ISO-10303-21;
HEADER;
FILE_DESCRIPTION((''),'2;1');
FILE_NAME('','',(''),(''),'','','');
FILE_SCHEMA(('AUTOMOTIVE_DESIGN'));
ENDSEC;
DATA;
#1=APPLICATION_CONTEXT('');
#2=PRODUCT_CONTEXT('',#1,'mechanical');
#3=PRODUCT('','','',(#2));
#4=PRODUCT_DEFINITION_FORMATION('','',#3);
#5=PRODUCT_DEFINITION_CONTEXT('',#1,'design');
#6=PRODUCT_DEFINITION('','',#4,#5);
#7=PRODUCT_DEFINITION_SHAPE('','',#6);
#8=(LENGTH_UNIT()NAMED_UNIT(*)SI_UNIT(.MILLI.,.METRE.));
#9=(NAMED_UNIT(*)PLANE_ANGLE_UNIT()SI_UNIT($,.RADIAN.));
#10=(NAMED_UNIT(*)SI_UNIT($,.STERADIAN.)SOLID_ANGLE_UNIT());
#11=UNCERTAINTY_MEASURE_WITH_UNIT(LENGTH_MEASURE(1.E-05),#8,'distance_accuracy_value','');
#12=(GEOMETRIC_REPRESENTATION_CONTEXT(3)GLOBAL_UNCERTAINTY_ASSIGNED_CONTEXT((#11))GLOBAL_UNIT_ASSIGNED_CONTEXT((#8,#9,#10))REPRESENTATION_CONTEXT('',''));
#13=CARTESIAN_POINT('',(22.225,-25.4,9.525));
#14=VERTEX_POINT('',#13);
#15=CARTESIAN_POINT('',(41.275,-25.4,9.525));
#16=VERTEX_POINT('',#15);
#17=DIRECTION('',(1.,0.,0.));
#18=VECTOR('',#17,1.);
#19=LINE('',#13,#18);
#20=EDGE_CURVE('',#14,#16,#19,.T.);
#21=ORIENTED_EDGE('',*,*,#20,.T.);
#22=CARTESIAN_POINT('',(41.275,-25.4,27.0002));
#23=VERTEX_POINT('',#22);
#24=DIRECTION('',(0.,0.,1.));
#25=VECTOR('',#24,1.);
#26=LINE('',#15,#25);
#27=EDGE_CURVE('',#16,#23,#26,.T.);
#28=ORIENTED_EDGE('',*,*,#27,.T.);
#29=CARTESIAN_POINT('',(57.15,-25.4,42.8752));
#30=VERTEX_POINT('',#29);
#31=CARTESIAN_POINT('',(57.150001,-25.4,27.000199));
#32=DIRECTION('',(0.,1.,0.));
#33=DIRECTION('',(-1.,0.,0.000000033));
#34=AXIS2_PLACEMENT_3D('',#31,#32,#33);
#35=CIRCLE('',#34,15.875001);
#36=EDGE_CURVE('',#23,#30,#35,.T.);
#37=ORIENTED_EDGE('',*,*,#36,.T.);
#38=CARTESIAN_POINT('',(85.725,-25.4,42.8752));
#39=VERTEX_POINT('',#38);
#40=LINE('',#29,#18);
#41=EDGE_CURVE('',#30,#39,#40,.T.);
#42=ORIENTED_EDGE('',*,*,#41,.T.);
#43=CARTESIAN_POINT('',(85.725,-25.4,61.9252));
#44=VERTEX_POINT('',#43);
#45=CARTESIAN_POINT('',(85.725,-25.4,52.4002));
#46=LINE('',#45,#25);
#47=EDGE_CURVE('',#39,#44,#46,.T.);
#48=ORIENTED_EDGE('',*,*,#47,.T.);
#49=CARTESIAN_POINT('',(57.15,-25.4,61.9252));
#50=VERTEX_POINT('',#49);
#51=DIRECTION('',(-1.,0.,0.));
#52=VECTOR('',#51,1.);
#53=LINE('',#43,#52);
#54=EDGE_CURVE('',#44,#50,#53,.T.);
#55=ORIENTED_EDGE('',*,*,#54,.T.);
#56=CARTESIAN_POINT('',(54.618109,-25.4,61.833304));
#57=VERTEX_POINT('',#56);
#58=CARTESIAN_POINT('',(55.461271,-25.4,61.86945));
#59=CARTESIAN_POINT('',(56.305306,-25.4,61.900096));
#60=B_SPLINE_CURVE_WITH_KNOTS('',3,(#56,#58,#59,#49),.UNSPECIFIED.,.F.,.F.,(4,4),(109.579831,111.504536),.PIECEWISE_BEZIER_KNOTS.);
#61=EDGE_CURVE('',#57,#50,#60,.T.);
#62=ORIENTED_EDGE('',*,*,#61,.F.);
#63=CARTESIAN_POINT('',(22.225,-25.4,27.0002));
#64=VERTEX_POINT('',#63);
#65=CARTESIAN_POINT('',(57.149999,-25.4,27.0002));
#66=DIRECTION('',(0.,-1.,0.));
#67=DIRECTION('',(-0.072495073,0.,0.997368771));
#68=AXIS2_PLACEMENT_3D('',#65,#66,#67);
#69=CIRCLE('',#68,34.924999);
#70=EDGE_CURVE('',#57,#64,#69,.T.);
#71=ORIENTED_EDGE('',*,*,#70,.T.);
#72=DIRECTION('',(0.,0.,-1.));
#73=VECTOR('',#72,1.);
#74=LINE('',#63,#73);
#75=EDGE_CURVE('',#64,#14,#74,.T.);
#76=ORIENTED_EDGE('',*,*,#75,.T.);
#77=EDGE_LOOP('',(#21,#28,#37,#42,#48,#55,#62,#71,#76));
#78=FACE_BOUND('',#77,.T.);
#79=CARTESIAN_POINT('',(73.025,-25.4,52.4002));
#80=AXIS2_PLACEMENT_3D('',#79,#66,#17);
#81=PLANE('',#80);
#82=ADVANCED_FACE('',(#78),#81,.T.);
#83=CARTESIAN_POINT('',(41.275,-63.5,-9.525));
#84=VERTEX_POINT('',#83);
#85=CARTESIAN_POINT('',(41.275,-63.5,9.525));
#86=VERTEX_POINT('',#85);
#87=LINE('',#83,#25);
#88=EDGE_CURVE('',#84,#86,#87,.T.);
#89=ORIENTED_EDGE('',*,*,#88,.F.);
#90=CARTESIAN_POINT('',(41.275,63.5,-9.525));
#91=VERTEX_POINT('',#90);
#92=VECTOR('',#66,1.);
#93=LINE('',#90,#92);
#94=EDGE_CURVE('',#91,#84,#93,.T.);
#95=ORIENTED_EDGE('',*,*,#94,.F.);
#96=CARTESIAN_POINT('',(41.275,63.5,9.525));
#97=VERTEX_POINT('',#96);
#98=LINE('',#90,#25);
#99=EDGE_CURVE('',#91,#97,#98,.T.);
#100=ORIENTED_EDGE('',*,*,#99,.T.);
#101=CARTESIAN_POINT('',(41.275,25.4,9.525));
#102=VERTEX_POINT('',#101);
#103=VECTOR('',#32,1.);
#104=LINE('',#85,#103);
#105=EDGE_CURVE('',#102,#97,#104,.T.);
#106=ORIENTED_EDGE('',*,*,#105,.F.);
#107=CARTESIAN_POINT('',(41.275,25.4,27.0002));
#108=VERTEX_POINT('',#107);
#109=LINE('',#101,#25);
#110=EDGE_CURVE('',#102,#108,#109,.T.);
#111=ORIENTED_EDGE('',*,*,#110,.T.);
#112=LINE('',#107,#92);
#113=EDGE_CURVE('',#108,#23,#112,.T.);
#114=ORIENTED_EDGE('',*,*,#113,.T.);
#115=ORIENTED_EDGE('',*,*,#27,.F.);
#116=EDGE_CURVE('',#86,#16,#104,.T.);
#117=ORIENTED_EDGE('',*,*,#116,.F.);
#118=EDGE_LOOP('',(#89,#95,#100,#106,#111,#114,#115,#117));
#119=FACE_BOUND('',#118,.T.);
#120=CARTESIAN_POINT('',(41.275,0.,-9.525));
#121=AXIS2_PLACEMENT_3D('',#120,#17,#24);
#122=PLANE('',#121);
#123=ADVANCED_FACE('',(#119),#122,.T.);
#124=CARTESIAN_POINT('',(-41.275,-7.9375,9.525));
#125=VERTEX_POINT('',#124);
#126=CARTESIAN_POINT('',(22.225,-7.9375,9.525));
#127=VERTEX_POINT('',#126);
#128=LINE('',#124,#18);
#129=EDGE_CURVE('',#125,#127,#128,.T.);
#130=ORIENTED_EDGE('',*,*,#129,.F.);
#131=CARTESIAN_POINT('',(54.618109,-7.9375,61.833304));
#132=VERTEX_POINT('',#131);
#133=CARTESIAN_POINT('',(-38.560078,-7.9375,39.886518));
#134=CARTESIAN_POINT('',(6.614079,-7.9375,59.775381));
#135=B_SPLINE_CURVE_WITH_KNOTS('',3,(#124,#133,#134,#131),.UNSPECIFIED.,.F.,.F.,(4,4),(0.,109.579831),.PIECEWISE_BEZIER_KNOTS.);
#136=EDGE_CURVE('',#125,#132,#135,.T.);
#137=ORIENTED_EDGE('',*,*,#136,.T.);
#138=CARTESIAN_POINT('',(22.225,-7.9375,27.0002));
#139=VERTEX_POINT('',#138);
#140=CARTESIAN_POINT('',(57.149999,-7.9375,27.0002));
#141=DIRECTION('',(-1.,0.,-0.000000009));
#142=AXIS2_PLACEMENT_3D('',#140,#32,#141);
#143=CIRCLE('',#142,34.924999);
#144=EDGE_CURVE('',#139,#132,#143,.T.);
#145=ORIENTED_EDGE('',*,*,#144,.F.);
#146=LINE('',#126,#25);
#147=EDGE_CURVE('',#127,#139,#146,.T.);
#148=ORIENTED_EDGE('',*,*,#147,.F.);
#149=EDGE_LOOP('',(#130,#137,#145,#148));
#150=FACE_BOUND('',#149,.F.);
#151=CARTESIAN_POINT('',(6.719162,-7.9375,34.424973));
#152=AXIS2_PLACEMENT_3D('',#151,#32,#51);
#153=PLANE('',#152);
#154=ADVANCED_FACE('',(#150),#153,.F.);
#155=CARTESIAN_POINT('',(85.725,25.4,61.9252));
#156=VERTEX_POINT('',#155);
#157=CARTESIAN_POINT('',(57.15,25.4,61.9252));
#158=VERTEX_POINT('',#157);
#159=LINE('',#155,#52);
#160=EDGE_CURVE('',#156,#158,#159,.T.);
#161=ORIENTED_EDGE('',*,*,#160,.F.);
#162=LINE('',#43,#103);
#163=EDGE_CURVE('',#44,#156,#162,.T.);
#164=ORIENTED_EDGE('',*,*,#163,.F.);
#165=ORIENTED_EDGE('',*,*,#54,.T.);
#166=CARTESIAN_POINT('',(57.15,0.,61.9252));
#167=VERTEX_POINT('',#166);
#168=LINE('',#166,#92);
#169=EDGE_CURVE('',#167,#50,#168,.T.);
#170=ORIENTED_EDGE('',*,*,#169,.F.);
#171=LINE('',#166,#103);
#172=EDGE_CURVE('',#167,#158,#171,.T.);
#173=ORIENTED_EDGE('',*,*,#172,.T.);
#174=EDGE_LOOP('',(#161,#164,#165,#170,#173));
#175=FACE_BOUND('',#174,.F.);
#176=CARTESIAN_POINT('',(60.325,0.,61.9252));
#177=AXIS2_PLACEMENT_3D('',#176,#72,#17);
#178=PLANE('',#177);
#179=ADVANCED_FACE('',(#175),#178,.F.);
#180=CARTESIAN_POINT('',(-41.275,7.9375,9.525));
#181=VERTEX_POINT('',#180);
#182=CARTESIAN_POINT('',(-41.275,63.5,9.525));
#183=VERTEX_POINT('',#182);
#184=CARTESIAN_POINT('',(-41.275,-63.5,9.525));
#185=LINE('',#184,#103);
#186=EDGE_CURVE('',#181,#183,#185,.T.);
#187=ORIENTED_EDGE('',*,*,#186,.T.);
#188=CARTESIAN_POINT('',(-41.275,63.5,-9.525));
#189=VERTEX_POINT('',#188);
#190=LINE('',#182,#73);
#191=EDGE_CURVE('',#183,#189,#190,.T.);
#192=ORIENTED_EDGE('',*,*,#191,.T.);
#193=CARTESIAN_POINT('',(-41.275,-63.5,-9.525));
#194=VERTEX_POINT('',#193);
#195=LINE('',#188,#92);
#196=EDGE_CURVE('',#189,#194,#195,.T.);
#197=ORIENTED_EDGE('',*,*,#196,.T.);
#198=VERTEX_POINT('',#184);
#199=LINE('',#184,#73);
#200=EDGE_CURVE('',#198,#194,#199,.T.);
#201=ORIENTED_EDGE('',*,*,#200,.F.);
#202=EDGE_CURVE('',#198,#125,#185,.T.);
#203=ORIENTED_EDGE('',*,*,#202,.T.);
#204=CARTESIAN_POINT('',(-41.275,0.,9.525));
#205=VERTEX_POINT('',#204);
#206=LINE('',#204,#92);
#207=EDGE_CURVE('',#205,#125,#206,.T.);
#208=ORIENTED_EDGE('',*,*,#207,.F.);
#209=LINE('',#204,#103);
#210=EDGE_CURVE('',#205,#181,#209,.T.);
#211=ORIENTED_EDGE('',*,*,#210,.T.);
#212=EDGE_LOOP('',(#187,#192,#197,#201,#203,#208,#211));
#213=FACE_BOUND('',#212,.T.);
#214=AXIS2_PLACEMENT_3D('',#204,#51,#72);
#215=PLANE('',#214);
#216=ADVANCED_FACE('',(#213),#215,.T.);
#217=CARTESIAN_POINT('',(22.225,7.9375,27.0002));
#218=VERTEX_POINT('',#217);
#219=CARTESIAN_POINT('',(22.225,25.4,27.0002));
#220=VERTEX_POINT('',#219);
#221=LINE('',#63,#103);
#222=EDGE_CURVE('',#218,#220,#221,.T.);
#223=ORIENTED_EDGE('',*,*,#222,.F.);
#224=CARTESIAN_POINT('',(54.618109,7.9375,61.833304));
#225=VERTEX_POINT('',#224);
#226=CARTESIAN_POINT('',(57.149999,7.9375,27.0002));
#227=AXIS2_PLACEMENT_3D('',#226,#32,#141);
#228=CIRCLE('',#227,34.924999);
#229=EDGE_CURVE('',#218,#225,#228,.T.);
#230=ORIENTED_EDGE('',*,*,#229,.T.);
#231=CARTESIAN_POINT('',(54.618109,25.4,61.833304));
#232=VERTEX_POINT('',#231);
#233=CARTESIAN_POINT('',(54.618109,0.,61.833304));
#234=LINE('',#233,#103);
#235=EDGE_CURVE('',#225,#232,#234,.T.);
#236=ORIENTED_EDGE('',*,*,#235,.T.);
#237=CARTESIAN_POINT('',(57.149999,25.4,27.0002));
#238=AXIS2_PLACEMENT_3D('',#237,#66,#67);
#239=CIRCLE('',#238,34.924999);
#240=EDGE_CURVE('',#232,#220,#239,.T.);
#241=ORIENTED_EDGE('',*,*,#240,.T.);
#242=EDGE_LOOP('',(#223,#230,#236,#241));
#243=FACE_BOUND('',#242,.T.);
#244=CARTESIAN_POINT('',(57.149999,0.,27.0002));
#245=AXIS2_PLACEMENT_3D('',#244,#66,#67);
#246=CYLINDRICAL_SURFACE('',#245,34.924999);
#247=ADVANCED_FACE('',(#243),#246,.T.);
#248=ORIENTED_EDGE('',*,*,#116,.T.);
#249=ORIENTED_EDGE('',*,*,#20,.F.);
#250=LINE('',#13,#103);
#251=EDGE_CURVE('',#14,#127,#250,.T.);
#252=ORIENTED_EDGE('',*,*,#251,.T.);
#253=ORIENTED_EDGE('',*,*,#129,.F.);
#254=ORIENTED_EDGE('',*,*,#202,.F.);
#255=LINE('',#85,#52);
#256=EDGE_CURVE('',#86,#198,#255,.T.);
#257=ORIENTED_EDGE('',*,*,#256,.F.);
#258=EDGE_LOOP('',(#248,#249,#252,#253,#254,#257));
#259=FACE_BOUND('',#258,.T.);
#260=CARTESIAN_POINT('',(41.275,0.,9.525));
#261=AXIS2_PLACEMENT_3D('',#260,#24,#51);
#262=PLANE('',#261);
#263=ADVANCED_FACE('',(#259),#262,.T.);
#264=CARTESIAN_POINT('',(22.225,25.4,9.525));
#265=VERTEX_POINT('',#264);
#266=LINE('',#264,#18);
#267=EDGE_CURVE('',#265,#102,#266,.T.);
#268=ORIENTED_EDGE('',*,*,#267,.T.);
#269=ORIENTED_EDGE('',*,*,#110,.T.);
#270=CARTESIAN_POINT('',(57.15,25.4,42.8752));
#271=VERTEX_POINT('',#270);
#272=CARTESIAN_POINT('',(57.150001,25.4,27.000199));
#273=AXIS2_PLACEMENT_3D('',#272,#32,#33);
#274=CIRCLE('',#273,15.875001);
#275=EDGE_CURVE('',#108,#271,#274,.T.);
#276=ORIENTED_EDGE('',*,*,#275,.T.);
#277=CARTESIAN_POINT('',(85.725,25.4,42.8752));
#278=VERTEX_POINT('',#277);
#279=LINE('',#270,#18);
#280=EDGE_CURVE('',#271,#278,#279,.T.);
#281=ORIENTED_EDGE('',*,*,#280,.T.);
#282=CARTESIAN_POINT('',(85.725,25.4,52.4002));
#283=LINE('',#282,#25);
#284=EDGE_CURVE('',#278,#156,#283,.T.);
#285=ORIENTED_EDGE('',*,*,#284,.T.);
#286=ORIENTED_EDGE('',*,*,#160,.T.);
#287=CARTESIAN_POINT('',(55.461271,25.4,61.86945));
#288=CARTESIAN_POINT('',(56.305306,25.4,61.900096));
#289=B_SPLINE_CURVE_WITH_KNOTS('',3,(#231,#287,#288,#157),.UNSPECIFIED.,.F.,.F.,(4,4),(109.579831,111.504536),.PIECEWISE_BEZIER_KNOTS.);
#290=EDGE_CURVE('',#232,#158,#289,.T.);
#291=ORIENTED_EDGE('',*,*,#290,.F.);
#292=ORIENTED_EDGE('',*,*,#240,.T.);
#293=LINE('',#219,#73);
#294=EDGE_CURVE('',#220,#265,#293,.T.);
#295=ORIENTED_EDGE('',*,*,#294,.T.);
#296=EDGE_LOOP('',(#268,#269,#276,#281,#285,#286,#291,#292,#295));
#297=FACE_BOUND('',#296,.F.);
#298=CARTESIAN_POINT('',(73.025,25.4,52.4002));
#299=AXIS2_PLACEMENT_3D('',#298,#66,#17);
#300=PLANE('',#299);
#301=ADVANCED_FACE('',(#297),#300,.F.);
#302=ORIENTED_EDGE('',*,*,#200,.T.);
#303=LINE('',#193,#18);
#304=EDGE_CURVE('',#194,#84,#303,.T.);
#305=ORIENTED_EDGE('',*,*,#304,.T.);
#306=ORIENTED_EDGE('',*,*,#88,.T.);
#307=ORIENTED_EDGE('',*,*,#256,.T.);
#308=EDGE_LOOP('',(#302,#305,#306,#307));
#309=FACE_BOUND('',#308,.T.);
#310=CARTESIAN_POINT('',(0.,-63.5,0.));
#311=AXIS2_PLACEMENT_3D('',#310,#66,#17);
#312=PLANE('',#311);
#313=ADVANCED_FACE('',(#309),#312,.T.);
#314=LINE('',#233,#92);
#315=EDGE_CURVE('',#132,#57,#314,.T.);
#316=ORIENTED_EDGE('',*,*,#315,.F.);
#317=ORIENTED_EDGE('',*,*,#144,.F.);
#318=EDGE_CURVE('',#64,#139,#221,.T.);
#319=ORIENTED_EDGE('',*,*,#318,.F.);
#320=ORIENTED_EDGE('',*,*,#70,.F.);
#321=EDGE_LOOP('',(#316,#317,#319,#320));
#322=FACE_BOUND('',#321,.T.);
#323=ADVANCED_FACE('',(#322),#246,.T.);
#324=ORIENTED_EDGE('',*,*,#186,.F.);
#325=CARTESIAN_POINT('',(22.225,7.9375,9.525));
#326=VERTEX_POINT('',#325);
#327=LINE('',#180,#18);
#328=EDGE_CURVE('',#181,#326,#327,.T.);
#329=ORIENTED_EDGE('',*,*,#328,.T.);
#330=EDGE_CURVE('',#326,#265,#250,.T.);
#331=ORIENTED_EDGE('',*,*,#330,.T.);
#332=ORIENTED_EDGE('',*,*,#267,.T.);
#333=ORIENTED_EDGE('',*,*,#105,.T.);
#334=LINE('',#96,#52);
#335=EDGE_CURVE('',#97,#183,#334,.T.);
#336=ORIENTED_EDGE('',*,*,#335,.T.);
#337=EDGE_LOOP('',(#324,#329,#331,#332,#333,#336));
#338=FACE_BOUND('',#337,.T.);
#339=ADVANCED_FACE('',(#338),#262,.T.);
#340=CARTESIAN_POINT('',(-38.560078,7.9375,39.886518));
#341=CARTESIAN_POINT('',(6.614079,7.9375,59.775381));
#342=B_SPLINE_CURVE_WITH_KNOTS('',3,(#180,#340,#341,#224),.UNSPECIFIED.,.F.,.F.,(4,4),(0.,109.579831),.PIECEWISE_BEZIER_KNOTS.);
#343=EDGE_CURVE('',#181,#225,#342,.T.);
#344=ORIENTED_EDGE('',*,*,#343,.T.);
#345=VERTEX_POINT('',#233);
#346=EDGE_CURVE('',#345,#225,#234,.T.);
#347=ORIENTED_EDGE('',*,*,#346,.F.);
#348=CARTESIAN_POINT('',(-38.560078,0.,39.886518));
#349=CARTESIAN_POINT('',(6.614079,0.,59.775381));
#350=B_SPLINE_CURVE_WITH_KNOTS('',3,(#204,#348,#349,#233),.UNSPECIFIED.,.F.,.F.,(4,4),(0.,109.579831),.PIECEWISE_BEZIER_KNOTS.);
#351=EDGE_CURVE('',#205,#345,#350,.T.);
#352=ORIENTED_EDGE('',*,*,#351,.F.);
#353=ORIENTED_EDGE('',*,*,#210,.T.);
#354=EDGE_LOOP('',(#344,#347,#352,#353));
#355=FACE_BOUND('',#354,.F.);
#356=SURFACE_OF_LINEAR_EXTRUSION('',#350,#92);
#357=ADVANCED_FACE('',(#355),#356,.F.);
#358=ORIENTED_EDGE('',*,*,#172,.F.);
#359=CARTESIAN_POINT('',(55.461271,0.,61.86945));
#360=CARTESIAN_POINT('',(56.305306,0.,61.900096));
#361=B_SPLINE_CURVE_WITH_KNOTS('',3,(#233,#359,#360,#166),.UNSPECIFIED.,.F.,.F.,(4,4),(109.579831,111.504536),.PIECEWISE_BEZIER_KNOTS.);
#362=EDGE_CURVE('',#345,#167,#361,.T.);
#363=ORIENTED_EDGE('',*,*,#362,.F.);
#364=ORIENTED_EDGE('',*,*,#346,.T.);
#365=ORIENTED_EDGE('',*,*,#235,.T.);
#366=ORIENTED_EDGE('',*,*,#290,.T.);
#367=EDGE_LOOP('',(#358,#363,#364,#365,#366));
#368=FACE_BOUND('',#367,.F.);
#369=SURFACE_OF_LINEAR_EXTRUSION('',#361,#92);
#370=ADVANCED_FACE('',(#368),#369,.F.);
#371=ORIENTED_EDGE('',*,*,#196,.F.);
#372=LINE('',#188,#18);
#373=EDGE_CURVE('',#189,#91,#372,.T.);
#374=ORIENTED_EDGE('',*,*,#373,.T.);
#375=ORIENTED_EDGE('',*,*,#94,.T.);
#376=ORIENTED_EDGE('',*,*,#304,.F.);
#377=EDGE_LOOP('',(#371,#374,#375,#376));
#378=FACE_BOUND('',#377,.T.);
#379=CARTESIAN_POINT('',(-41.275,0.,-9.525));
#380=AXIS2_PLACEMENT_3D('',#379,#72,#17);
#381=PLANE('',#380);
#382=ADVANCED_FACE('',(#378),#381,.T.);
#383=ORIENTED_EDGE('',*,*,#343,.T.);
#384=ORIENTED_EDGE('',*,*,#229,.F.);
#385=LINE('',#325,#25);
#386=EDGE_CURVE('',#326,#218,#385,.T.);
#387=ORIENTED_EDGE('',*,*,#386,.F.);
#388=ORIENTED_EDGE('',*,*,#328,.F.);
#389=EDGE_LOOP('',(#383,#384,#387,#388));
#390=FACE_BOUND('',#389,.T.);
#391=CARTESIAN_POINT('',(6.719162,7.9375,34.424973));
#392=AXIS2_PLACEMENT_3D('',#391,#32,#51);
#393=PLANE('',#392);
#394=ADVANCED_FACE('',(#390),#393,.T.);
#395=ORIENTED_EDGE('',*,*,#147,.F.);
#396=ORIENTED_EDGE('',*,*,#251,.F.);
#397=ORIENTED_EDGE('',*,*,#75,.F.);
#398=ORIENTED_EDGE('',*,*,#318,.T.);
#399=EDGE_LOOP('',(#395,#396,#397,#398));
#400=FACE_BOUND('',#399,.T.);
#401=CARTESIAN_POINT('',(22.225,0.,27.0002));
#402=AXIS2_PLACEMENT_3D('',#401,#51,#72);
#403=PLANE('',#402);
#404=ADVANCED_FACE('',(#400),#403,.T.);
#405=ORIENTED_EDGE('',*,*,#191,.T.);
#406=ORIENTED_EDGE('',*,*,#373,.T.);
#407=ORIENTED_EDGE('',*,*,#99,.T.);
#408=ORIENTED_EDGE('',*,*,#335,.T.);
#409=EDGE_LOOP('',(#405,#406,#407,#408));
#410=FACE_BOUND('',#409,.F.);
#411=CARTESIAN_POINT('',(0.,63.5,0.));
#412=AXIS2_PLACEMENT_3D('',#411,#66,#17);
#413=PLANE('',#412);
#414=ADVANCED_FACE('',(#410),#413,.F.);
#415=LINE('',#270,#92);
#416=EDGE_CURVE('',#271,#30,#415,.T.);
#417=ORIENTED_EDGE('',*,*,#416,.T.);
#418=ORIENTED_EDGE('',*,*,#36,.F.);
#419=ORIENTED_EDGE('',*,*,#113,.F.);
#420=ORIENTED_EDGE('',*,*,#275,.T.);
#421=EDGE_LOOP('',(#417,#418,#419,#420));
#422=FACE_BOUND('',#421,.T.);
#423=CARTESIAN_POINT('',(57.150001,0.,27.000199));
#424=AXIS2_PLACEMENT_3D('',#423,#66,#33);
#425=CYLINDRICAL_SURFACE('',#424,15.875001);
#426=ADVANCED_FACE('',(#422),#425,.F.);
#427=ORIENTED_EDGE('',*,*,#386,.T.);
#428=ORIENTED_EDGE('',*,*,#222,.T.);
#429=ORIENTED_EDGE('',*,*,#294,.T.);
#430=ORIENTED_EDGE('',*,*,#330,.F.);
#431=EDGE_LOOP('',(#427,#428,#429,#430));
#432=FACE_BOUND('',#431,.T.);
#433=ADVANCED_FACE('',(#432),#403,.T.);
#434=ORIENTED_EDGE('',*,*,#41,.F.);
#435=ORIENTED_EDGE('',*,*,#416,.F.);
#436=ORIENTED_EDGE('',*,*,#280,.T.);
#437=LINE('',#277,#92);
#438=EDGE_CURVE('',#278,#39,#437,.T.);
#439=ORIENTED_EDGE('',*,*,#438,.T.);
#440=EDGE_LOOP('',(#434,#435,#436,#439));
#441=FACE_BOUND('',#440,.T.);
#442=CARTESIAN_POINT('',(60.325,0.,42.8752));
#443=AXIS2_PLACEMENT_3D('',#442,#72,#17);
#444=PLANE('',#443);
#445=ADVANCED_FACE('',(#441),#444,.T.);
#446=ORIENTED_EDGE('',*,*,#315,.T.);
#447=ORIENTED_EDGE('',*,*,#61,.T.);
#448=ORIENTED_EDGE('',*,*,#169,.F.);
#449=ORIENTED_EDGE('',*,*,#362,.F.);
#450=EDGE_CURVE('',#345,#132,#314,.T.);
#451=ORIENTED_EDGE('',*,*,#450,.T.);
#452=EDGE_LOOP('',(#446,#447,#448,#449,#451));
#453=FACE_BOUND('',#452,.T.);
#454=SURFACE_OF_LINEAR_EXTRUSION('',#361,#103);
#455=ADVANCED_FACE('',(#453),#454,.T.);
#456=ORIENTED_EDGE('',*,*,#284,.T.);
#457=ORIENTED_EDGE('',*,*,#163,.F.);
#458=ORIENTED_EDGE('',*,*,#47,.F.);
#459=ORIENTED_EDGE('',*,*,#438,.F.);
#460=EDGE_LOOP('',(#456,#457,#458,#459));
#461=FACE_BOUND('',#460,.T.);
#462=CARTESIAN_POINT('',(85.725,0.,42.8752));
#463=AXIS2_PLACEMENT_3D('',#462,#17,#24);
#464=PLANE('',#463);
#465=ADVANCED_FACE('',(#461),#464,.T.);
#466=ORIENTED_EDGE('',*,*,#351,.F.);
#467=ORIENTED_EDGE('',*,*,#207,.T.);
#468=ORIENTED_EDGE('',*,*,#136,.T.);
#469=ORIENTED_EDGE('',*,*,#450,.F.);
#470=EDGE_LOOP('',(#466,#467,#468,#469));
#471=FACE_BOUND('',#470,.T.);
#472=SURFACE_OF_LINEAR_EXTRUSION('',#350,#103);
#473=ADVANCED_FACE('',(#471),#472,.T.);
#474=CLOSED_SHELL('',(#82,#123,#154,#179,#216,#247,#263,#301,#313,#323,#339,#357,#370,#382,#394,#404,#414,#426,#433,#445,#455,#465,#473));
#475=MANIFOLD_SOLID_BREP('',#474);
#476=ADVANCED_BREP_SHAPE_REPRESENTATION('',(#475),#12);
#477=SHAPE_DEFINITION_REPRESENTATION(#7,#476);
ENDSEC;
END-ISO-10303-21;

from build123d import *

# Parameters (mm, degrees)
F1_DEPTH = 63.5
F2_DEPTH = 25.4
F0_W     = 25.4
F0_H     = 19.05
F3_DEPTH = 25.4
F4_DEPTH = 7.9375


with BuildPart() as f1:
    # F0 (on Front) → F1 (new body, symmetric)
    with BuildSketch(Plane.XZ):
        Polygon((-41.275, 9.525), (-41.275, -9.525), (41.275, -9.525), (41.275, 9.525), (22.225, 9.525), align=None)
    extrude(amount=F1_DEPTH, both=True)

    # F0 (on Front) → F2 (join, symmetric)
    with BuildSketch(Plane.XZ):
        with BuildLine():
            Line((22.225, 9.525), (41.275, 9.525))
            Line((41.275, 9.525), (41.275, 27.0002))
            ThreePointArc((41.275, 27.0002), (45.92468, 38.22552), (57.15, 42.8752))
            Line((57.15, 42.8752), (60.325, 42.8752))
            Line((60.325, 42.8752), (60.325, 61.9252))
            Line((60.325, 61.9252), (57.15, 61.9252))
            add(Edge.make_bspline(
                [(54.618109, 61.833304), (55.461271, 61.86945), (56.305306, 61.900096), (57.15, 61.9252)],
                knots=[109.579831, 109.579831, 109.579831, 109.579831, 111.504536, 111.504536, 111.504536, 111.504536], degree=3))
            ThreePointArc((54.618109, 61.833304), (31.574798, 50.783906), (22.225, 27.0002))
            Line((22.225, 27.0002), (22.225, 9.525))
        make_face()
    extrude(amount=F2_DEPTH, both=True)

    # F0 (on Front) → F3 (join, symmetric)
    with BuildSketch(Plane.XZ):
        with Locations((73.025, 52.4002)):
            Rectangle(F0_W, F0_H)
    extrude(amount=F3_DEPTH, both=True)

    # F0 (on Front) → F4 (join, symmetric)
    with BuildSketch(Plane.XZ):
        with BuildLine():
            add(Edge.make_bspline(
                [(-41.275, 9.525), (-38.560078, 39.886518), (6.614079, 59.775381), (54.618109, 61.833304)],
                knots=[0, 0, 0, 0, 109.579831, 109.579831, 109.579831, 109.579831], degree=3))
            Line((-41.275, 9.525), (22.225, 9.525))
            Line((22.225, 9.525), (22.225, 27.0002))
            ThreePointArc((22.225, 27.0002), (31.574798, 50.783906), (54.618109, 61.833304))
        make_face()
    extrude(amount=F4_DEPTH, both=True)


solid = f1.part
